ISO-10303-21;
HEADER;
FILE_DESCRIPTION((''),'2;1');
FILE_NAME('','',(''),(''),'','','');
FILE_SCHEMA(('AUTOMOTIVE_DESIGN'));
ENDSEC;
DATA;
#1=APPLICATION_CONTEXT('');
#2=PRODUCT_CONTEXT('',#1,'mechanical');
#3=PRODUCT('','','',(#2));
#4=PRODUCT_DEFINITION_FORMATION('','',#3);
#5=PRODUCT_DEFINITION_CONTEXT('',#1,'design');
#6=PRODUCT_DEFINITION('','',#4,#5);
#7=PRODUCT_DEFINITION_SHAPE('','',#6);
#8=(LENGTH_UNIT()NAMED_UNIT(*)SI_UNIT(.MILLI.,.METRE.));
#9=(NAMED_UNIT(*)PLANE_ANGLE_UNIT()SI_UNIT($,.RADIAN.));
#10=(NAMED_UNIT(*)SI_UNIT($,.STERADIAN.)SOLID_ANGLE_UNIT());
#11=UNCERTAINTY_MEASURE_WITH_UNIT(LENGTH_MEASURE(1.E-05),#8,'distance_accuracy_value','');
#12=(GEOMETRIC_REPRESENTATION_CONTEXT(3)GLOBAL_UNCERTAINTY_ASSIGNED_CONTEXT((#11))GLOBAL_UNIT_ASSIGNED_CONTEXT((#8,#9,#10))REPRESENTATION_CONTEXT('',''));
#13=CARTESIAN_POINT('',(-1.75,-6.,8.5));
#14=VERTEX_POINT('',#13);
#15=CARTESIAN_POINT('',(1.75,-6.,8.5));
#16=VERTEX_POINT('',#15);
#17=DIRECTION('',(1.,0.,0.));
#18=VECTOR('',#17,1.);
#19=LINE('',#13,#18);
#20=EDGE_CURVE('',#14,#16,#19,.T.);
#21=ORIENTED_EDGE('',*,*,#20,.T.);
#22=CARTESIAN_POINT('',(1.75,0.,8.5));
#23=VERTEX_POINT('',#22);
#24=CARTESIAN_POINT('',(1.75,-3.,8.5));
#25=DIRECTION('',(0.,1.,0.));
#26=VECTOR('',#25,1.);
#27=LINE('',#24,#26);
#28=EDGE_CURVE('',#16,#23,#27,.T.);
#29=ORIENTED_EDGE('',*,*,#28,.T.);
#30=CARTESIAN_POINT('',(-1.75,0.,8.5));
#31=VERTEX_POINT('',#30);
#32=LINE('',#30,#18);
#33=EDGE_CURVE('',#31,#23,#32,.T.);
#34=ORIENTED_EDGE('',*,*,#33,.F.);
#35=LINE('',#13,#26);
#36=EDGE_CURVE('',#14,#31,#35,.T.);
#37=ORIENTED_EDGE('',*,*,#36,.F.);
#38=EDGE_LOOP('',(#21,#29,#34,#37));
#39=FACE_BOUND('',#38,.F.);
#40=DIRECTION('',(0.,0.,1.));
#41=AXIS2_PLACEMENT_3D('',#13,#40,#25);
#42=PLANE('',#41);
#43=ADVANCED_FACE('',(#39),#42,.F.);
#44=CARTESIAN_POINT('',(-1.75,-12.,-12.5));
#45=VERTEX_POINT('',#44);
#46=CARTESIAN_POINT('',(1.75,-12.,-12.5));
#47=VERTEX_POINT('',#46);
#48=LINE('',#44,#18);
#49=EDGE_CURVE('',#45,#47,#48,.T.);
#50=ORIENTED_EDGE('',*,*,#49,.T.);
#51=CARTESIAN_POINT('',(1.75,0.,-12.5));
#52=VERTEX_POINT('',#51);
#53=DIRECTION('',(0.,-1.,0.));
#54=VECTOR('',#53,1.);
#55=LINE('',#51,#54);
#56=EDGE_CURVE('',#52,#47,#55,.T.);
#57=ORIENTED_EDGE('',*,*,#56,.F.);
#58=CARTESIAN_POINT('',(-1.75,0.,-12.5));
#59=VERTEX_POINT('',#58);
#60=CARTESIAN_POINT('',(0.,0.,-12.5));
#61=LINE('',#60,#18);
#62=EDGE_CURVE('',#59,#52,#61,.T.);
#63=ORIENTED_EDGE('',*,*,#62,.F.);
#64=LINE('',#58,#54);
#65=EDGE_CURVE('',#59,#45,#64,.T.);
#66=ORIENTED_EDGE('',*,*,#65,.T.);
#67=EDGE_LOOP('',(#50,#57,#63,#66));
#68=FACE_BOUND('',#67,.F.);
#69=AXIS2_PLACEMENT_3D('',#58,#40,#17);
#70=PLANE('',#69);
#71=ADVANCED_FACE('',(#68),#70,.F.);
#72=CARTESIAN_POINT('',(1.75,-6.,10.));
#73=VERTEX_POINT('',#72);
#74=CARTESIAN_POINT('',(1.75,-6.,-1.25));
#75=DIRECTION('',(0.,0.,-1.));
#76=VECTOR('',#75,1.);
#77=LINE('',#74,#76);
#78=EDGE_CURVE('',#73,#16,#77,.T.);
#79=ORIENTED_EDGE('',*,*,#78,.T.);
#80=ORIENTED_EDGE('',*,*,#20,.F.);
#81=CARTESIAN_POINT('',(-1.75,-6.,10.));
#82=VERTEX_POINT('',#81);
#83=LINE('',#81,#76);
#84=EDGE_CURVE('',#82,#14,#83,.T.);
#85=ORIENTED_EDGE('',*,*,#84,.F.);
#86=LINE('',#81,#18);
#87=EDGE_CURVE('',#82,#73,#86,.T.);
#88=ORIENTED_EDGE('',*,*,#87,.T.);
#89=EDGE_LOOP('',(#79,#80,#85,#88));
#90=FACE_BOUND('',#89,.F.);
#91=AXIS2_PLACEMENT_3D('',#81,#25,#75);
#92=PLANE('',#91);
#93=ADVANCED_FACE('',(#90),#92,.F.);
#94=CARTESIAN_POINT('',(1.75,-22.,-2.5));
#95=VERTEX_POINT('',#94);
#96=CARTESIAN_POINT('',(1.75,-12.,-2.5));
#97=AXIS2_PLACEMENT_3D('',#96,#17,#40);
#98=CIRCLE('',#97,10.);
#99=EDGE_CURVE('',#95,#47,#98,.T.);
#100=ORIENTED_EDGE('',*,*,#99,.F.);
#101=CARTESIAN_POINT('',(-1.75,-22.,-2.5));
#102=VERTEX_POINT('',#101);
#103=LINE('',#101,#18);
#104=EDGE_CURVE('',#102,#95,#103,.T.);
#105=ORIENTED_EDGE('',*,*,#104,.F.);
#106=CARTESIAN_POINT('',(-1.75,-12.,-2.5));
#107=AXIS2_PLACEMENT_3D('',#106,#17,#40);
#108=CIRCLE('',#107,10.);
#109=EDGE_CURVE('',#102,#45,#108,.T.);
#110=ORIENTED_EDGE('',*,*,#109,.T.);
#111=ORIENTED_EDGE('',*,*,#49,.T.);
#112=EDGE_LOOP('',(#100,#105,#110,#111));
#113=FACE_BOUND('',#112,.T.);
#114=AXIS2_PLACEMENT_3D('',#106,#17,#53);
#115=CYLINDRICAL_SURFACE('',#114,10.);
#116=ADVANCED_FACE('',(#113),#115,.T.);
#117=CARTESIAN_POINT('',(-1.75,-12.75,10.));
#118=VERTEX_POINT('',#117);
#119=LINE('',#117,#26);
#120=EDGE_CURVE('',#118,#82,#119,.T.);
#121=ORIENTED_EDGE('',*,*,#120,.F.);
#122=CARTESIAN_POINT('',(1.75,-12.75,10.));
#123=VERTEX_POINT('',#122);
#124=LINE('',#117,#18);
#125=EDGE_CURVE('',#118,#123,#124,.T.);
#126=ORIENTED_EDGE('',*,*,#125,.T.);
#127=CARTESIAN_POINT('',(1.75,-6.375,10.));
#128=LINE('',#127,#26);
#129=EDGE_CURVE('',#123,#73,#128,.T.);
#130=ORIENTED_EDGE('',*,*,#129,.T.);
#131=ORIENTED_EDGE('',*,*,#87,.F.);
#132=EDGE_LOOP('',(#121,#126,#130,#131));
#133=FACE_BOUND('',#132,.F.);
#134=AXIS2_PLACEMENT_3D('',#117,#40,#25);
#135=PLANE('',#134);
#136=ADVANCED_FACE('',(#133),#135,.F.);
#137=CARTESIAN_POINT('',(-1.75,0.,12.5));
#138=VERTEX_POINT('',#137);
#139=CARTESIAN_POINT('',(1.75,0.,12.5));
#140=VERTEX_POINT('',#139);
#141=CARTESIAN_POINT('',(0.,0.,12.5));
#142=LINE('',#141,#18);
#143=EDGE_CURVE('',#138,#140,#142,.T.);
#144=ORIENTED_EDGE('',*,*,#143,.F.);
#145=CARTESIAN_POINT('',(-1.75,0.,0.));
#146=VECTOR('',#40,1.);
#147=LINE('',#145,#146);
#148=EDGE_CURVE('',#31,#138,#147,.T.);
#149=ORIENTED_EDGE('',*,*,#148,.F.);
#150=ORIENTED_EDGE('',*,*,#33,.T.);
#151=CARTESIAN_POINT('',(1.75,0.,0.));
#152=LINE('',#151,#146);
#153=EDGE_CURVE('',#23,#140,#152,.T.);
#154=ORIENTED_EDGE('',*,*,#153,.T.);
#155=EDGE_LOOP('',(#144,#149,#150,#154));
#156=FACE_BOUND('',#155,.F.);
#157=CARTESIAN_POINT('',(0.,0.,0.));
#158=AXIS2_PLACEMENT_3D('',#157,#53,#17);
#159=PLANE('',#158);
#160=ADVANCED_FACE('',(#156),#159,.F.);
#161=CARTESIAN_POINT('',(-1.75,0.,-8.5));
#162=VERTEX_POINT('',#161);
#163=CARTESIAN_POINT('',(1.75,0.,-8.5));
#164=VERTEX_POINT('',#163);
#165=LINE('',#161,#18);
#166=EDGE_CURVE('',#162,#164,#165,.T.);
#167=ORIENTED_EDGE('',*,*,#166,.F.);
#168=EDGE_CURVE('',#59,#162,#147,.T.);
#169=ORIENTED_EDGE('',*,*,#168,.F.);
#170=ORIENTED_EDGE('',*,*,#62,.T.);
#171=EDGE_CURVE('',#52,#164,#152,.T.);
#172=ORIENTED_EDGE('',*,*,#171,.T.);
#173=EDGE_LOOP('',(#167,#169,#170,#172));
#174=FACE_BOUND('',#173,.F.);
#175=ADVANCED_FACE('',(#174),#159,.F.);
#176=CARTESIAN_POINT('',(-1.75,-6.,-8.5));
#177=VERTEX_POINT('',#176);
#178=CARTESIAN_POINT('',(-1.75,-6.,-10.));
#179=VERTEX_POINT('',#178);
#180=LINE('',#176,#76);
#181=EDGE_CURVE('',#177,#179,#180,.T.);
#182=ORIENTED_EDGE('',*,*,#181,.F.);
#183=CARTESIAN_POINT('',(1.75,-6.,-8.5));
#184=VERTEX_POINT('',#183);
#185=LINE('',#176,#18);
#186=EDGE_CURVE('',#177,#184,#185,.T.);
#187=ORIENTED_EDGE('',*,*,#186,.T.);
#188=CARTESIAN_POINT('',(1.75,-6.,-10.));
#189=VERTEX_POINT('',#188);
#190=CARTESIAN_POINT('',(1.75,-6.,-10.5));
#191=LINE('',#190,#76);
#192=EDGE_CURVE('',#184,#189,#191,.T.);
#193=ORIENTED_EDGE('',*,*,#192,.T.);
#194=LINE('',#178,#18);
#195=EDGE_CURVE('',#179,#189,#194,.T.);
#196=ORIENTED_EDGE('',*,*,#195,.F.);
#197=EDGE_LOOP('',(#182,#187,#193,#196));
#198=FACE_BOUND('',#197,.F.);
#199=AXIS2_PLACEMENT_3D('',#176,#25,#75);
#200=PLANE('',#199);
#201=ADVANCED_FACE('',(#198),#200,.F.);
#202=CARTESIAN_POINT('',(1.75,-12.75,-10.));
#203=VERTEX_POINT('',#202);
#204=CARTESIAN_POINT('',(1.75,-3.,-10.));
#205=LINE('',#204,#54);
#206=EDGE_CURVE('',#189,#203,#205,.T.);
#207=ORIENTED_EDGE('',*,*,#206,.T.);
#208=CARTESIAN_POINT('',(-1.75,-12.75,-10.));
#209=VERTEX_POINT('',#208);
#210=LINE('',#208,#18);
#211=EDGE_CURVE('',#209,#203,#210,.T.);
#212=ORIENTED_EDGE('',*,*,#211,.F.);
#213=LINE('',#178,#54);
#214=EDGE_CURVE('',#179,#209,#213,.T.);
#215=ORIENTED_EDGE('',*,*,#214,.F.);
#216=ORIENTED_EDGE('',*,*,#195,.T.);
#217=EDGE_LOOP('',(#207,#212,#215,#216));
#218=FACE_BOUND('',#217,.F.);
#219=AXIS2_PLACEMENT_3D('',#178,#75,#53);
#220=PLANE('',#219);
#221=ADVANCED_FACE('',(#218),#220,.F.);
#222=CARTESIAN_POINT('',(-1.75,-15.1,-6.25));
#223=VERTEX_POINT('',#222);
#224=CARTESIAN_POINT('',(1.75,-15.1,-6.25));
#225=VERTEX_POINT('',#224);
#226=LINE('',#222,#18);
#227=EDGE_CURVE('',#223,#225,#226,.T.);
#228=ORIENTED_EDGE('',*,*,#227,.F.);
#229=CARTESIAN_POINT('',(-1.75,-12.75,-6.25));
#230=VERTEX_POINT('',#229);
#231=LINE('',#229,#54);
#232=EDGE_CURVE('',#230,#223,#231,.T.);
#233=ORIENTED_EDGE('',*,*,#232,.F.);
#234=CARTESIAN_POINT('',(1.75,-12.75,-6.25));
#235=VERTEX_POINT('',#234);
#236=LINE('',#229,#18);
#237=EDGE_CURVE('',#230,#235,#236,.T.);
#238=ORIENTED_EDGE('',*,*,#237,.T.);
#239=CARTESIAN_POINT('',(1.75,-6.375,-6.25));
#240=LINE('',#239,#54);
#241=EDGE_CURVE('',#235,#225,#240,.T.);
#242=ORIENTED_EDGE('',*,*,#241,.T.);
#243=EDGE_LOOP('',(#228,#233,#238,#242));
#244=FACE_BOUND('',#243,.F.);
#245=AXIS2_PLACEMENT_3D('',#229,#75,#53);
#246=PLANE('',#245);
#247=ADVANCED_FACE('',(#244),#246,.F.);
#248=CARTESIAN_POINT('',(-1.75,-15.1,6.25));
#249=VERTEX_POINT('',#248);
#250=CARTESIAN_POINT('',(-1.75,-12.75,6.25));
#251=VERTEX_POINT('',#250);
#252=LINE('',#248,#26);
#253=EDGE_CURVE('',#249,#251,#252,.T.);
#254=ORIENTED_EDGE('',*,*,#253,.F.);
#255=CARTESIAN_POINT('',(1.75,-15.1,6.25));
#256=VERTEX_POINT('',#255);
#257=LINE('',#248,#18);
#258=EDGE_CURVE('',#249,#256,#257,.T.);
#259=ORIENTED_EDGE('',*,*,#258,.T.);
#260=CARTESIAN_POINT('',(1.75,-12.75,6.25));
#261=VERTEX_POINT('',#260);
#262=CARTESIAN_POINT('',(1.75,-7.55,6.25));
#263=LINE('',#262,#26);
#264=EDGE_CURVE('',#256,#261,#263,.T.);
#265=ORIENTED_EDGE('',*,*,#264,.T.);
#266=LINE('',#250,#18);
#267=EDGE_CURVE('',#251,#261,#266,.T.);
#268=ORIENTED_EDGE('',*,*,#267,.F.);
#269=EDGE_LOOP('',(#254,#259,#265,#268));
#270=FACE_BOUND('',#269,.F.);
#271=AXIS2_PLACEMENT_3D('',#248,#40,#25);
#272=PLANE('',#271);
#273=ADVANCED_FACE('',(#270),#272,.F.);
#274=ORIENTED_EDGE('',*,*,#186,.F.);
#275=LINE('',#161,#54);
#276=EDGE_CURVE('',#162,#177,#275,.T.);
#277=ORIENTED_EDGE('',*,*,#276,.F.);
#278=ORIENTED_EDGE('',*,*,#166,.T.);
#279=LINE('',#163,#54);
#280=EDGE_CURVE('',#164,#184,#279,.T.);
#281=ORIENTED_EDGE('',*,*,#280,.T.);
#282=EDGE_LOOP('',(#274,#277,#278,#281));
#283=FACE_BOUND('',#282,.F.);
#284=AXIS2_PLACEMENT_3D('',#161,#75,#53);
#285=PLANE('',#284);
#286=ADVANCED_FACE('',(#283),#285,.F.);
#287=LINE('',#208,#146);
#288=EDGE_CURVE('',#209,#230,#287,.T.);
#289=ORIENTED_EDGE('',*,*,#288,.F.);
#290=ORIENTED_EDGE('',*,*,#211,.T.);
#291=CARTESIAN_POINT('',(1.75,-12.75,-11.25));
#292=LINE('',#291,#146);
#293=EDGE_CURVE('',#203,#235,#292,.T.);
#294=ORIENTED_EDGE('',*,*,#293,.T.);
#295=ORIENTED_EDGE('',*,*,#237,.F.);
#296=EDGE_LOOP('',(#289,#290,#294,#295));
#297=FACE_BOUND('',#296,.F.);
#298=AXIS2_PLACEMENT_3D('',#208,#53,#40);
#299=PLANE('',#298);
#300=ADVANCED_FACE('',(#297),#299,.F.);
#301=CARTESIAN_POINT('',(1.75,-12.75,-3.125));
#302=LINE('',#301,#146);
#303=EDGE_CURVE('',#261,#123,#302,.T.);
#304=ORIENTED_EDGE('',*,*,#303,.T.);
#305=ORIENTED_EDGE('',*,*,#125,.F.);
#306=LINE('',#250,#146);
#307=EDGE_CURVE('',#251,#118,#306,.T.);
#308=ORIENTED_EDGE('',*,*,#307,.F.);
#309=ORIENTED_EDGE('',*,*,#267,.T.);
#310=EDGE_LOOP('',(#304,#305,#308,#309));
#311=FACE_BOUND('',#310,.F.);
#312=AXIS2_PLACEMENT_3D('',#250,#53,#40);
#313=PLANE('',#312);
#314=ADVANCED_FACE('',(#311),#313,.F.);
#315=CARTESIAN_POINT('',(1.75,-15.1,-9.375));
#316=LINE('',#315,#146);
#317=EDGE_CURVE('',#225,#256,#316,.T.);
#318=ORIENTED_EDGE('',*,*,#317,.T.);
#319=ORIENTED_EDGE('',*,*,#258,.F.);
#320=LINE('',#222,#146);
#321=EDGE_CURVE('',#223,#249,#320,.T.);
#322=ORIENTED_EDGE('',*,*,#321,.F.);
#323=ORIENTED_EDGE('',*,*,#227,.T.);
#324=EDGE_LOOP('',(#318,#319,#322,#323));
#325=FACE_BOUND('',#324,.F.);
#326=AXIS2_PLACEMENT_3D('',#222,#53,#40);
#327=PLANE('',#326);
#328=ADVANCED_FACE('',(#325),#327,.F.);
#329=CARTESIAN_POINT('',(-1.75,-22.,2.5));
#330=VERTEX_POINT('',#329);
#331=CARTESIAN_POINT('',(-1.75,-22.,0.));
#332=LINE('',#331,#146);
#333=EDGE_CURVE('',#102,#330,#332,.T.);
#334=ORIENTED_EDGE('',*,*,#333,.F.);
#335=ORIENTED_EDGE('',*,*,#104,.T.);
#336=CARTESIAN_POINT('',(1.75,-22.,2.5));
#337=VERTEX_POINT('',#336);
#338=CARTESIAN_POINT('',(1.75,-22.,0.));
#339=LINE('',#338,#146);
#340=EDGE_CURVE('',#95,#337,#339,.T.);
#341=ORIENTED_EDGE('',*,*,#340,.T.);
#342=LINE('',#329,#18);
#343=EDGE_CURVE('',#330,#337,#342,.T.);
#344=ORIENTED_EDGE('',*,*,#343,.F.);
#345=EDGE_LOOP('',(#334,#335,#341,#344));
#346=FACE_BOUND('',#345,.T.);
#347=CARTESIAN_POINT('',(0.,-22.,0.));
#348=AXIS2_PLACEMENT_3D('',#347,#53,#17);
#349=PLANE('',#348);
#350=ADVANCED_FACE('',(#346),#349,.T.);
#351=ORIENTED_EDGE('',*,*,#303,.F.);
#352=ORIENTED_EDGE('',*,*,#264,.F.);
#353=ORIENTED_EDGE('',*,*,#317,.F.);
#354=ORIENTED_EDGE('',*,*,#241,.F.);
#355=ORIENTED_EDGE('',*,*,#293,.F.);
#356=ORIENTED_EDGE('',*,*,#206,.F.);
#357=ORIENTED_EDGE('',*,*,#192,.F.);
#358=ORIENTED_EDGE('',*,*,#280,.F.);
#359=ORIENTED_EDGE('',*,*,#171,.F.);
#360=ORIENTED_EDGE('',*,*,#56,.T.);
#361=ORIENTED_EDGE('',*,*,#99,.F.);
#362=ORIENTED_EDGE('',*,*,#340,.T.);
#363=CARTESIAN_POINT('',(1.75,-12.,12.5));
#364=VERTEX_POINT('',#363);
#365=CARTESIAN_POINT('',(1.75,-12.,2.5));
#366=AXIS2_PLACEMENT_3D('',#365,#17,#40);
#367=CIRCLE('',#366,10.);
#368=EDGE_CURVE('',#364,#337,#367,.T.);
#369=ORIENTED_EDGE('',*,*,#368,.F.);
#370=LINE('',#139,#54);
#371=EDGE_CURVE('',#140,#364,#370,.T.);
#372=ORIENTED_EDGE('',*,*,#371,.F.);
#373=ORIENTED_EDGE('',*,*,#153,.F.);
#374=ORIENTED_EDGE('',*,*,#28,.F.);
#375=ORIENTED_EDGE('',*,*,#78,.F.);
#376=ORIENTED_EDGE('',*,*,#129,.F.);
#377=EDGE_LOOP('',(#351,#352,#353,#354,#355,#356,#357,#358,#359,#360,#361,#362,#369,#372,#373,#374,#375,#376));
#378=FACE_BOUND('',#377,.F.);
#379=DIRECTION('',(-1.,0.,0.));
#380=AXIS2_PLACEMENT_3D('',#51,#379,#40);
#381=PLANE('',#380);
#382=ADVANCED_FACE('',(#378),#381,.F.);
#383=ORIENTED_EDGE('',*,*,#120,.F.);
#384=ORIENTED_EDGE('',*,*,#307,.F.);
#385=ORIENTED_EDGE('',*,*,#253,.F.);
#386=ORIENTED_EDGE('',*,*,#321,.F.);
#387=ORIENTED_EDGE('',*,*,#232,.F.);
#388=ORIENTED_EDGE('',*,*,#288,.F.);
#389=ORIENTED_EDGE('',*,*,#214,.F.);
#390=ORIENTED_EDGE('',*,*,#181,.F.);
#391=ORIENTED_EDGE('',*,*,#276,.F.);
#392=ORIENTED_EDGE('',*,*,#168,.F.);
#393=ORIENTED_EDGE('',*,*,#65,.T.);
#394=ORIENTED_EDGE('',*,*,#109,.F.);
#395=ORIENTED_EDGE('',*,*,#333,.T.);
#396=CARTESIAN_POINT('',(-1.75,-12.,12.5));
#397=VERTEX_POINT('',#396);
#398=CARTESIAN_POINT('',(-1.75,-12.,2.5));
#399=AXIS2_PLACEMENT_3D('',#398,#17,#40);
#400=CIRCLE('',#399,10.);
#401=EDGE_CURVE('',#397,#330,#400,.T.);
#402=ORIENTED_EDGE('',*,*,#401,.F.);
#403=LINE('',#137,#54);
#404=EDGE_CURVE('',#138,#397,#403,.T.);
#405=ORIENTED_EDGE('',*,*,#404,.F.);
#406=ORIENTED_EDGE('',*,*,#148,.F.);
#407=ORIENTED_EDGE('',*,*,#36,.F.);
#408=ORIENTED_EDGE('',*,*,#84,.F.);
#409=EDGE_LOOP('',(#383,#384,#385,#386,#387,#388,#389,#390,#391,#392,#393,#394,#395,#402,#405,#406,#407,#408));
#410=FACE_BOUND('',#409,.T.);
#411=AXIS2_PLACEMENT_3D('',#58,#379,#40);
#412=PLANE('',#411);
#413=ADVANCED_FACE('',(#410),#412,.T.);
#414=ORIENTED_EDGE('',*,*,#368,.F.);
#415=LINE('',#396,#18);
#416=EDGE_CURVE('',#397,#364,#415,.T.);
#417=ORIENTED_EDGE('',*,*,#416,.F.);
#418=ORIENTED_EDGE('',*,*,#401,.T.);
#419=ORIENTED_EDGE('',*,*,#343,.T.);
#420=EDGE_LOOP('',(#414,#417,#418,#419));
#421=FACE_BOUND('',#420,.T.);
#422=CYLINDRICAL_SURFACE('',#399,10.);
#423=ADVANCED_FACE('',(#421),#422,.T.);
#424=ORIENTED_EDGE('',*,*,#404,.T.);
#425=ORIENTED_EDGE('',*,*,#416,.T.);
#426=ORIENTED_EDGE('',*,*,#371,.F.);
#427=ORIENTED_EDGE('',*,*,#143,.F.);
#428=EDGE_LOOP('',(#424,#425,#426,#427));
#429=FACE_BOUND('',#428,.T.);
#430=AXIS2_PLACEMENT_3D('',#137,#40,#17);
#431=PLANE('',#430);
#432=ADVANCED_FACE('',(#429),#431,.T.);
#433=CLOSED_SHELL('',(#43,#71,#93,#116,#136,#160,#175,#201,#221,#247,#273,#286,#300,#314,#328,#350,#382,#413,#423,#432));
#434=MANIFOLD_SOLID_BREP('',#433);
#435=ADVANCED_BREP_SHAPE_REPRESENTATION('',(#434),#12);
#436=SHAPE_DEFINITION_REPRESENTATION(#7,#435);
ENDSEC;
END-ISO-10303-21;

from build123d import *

# Parameters (mm, degrees)
F0_W     = 3.5
F0_H     = 25
F1_DEPTH = 22
F3_DEPTH = 25
F4_R     = 10


with BuildPart() as f1:
    # F0 (on Front) → F1 (new body)
    with BuildSketch(Plane.XZ):
        Rectangle(F0_W, F0_H)
    extrude(amount=F1_DEPTH)

    # F2 (on face) → F3 (cut)
    with BuildSketch(Plane(origin=(-1.75, 0, 0), x_dir=(0, -1, 0), z_dir=(-1, 0, 0))):
        Polygon((0, 8.5), (0, -8.5), (6, -8.5), (6, -10), (12.75, -10), (12.75, -6.25), (15.1, -6.25), (15.1, 6.25), (12.75, 6.25), (12.75, 10), (6, 10), (6, 8.5), align=None)
    extrude(amount=-F3_DEPTH, mode=Mode.SUBTRACT)

    # F4
    f4_edges = [f1.edges().sort_by_distance(p)[0] for p in [
        (0, -22, 12.5),
        (0, -22, -12.5),
    ]]
    fillet(f4_edges, radius=F4_R)


solid = f1.part
